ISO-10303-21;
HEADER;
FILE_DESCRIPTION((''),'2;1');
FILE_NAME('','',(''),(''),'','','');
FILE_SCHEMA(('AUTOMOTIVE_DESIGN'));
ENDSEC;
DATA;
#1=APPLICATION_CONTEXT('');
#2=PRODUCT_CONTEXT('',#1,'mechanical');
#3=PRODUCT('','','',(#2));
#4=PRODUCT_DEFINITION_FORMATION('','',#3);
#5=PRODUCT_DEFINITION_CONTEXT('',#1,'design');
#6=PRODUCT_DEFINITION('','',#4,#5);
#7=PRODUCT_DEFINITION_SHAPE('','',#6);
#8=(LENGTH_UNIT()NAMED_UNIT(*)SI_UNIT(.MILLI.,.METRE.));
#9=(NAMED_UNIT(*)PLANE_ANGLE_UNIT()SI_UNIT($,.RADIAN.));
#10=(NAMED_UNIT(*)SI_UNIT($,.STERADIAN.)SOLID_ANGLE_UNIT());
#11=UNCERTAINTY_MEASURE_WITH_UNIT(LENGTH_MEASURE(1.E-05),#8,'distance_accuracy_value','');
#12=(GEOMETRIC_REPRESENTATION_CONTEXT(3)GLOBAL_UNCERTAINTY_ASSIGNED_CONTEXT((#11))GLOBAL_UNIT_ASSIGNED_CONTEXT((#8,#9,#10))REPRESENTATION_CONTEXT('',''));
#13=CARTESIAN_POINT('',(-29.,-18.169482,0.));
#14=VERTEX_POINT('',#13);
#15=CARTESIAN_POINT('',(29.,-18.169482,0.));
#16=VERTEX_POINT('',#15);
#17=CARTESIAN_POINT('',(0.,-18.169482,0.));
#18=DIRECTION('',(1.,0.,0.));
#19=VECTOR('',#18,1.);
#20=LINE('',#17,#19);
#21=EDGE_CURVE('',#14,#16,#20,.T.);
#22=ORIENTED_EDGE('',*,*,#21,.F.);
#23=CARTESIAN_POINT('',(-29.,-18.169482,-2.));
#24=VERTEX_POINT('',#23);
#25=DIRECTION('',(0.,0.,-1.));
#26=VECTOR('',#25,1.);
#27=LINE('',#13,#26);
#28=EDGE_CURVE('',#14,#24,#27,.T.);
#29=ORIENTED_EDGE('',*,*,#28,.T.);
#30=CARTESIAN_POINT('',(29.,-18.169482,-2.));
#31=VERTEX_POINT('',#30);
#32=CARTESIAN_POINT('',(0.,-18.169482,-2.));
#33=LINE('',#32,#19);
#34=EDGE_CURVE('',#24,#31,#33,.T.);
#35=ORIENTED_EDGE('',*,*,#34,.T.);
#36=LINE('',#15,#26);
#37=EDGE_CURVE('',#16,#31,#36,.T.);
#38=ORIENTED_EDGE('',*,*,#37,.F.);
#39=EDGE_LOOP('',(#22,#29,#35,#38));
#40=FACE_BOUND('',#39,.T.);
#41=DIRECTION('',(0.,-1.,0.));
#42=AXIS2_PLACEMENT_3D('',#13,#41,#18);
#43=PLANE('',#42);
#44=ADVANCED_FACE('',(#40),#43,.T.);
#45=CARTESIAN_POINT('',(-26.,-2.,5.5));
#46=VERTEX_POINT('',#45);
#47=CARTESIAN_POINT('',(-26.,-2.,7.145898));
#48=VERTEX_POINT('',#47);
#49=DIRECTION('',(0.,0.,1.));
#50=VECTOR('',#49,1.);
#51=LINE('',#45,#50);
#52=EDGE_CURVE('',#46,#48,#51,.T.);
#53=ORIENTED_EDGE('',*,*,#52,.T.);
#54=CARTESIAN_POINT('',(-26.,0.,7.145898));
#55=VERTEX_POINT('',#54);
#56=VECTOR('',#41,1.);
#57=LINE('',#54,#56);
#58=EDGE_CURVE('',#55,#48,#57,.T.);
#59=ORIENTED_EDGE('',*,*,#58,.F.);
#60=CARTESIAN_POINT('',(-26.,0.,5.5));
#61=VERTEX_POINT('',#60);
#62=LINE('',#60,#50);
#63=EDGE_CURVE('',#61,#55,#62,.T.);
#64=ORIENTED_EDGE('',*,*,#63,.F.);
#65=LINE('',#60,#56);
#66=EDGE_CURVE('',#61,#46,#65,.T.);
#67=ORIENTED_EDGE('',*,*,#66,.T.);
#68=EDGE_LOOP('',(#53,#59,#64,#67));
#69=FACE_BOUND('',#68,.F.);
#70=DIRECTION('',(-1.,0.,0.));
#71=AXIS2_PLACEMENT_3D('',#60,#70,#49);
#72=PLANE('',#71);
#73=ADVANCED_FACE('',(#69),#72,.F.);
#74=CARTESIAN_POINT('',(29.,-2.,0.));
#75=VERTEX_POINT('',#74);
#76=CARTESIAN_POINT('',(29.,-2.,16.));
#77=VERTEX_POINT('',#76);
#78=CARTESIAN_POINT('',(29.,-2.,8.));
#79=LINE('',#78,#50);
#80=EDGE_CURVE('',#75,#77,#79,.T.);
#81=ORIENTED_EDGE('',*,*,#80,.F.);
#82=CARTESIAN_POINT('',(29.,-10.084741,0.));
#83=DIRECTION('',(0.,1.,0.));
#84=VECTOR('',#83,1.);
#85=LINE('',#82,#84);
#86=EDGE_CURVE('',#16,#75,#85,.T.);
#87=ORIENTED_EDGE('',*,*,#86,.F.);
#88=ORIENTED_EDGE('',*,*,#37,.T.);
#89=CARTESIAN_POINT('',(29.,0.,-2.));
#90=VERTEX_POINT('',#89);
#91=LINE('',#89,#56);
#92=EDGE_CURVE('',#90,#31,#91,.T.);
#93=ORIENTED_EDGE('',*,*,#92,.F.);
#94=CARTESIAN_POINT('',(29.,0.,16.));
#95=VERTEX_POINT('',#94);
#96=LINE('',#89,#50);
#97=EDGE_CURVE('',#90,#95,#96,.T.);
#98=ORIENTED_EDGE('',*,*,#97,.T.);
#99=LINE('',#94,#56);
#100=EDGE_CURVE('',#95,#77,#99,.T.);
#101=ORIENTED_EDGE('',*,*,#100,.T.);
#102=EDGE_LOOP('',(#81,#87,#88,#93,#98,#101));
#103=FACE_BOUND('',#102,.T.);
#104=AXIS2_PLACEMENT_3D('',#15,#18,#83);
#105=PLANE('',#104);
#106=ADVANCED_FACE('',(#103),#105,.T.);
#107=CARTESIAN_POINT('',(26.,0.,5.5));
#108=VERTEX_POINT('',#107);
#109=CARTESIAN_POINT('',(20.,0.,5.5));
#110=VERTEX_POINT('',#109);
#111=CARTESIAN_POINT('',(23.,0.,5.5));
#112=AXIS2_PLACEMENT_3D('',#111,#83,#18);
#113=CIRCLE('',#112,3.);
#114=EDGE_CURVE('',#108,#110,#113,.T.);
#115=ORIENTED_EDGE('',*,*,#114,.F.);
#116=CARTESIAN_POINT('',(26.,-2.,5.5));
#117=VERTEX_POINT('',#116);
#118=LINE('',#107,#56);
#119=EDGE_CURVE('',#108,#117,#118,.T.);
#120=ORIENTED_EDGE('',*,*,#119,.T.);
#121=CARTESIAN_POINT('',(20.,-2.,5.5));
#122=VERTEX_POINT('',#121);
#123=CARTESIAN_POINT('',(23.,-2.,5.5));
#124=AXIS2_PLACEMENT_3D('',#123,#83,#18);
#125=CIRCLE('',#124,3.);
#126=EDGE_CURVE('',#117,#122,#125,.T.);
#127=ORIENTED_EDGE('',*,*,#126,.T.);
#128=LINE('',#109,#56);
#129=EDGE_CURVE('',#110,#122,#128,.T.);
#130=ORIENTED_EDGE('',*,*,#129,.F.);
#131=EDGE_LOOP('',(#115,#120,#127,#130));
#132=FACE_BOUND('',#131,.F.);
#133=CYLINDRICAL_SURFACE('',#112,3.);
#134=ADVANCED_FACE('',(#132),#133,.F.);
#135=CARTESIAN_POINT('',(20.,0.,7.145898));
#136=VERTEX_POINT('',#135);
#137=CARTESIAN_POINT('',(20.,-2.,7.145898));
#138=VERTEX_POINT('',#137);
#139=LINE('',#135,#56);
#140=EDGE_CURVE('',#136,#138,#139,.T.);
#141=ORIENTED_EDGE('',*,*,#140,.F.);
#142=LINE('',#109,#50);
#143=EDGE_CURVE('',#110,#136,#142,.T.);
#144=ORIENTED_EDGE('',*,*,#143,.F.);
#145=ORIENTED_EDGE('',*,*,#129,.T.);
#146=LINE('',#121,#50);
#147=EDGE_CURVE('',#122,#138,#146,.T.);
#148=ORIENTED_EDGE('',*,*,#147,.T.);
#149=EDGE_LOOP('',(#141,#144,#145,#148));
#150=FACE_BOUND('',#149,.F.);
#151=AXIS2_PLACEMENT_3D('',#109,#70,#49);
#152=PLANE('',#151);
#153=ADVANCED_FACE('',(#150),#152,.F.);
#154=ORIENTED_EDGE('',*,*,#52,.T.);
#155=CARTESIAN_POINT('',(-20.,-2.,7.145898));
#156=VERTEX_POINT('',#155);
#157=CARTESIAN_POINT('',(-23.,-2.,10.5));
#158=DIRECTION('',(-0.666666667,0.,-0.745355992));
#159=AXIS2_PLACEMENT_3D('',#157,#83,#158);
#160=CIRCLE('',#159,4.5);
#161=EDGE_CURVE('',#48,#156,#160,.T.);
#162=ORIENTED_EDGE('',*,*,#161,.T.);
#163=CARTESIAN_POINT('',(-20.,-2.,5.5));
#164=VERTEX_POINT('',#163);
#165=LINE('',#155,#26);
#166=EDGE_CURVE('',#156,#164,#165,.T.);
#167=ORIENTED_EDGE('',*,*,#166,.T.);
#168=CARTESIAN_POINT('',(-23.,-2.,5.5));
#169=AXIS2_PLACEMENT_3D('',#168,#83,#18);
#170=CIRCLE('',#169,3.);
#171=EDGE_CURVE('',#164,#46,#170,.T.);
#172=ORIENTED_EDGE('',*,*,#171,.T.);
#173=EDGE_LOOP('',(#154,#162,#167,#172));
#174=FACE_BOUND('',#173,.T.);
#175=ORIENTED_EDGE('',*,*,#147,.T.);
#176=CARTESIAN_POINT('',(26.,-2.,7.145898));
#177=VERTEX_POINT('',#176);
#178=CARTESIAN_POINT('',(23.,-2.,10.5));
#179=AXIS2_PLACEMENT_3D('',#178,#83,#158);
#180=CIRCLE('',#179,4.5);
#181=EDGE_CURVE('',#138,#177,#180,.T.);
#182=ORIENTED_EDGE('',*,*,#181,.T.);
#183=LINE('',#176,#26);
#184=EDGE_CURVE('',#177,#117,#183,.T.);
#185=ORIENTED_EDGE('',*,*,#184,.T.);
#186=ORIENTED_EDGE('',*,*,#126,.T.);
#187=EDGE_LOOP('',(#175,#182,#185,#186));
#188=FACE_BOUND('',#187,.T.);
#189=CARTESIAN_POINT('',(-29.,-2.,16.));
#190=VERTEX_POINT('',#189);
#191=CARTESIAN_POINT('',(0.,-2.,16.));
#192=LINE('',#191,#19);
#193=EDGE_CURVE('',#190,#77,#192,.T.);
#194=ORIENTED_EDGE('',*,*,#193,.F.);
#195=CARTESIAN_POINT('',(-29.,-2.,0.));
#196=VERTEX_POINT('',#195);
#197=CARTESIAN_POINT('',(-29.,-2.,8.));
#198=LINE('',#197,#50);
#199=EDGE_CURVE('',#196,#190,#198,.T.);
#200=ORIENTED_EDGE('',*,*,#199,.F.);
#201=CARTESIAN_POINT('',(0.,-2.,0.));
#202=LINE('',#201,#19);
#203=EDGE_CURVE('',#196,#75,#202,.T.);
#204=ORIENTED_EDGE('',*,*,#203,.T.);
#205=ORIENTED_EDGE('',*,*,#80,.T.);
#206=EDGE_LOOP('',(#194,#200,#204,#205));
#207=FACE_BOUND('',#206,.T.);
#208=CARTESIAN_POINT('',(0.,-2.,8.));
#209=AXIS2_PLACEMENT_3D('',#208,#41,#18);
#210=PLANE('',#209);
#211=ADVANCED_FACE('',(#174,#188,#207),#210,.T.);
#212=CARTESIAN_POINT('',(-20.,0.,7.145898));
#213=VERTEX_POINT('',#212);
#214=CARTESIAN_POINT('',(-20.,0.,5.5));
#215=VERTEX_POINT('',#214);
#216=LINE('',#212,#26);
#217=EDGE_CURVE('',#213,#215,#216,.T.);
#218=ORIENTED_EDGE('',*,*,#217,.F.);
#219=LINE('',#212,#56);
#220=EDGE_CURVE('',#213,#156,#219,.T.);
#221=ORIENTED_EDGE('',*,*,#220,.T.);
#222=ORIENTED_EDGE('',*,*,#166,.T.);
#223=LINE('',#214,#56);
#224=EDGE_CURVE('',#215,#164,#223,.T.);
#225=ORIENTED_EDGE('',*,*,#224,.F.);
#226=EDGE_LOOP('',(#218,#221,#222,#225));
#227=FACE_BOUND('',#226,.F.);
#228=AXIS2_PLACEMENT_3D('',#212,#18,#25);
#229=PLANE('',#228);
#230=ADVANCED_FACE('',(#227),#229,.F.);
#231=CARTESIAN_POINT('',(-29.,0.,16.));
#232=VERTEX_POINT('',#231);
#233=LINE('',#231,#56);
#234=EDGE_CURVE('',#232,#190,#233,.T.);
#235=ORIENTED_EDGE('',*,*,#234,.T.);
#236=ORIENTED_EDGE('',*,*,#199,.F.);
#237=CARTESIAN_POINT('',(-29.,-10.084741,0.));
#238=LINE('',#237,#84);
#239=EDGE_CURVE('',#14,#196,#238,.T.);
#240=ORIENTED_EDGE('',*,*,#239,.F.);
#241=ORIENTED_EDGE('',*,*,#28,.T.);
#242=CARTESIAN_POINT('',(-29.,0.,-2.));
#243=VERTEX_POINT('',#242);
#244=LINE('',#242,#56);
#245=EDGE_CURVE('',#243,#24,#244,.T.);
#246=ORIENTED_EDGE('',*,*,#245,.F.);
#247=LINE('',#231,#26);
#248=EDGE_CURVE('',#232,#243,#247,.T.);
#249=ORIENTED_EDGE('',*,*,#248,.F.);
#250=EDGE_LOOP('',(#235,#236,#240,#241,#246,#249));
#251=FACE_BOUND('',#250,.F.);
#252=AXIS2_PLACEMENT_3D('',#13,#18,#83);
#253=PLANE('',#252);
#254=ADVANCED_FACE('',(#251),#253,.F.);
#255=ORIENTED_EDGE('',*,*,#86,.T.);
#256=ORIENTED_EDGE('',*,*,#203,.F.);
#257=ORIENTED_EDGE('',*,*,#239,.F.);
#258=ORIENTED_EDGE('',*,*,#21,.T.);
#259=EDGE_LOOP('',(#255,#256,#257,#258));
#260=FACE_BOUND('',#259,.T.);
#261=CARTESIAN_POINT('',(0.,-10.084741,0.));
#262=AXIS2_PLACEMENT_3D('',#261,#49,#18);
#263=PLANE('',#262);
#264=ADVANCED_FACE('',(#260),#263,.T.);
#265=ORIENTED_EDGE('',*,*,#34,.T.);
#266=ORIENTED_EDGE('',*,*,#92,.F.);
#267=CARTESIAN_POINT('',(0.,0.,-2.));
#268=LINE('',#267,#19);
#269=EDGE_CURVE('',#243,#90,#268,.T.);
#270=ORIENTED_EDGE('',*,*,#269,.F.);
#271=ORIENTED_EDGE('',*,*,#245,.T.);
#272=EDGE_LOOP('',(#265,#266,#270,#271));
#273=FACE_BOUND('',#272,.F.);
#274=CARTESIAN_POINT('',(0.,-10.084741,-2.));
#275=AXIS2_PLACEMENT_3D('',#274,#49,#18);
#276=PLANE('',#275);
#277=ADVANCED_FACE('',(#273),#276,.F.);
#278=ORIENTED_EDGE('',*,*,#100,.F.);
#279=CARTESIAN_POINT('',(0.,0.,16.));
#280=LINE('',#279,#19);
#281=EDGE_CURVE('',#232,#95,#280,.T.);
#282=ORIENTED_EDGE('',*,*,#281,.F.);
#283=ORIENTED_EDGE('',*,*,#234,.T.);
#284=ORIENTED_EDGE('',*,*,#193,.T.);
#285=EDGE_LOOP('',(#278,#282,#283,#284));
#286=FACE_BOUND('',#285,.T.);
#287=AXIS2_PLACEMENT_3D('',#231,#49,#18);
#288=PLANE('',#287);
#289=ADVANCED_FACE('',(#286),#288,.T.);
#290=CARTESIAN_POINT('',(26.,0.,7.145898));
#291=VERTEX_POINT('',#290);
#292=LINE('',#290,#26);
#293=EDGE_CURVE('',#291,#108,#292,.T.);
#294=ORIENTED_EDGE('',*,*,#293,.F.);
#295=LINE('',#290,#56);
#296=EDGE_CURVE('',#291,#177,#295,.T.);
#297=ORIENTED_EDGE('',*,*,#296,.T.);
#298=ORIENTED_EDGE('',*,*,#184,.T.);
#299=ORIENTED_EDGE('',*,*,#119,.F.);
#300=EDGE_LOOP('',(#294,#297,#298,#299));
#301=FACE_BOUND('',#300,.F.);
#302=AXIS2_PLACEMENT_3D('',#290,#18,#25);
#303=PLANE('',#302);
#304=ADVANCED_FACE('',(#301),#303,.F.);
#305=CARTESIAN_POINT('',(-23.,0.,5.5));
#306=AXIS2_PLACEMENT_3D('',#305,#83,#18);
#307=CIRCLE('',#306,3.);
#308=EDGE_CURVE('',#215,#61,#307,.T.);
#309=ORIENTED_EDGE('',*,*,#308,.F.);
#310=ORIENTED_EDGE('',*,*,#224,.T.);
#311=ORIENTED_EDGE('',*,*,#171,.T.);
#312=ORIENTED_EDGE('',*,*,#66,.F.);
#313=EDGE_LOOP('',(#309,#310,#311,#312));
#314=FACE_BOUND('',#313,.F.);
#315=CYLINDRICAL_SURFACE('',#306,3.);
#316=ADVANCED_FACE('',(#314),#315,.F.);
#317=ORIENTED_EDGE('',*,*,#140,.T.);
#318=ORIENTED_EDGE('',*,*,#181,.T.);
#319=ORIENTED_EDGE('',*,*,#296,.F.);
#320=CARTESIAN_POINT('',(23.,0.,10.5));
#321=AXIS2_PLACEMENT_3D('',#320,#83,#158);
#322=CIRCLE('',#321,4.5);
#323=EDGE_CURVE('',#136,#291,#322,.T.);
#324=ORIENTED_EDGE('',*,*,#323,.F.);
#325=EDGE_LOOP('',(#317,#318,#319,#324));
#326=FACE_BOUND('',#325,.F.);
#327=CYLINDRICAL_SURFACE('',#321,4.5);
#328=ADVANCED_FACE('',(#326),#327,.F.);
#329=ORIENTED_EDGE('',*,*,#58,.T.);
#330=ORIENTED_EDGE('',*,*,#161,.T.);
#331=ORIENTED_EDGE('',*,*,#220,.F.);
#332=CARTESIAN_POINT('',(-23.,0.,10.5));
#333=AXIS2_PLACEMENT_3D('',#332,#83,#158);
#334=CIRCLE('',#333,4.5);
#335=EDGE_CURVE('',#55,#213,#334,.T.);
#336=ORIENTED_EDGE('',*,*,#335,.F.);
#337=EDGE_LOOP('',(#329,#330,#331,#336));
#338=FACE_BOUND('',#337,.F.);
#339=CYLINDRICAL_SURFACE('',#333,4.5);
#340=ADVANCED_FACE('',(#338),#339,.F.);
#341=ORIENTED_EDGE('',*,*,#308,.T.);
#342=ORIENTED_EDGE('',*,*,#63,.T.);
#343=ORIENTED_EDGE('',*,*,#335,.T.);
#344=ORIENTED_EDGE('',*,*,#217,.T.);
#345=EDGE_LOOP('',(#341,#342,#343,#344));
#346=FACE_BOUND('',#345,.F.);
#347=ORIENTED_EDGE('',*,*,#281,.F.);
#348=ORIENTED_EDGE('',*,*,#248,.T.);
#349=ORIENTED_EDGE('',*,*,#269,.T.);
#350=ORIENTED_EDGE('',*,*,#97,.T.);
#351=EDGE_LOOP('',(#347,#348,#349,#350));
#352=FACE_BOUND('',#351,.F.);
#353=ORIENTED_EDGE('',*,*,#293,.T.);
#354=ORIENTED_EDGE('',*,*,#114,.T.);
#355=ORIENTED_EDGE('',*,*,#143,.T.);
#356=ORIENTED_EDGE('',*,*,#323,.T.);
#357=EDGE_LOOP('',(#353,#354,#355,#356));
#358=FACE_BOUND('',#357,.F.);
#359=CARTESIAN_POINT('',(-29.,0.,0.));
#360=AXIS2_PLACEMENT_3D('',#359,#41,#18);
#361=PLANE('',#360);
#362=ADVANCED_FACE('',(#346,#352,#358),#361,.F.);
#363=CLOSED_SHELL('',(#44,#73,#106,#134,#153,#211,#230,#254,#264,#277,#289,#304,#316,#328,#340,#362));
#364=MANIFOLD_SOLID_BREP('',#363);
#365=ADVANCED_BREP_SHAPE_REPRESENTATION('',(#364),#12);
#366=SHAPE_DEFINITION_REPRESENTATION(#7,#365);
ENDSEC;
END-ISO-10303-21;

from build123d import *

# Parameters (mm, degrees)
F0_W      = 58
F0_H      = 16
F1_DEPTH  = 2
F2_W      = 58
F2_H      = 16.1694816779
F1_FACE_W = 58
F1_FACE_H = 2
F3_DEPTH  = 2


with BuildPart() as f1:
    # F0 (on Front) → F1 (new body)
    with BuildSketch(Plane.XZ):
        with Locations((0, 8)):
            Rectangle(F0_W, F0_H)
        with BuildLine():
            ThreePointArc((-20, 5.5), (-23, 2.5), (-26, 5.5))
            Line((-26, 5.5), (-26, 7.1458980338))
            ThreePointArc((-26, 7.1458980338), (-23, 15), (-20, 7.1458980338))
            Line((-20, 7.1458980338), (-20, 5.5))
        make_face(mode=Mode.SUBTRACT)
        with BuildLine():
            ThreePointArc((26, 5.5), (23, 2.5), (20, 5.5))
            Line((20, 5.5), (20, 7.1458980338))
            ThreePointArc((20, 7.1458980338), (23, 15), (26, 7.1458980338))
            Line((26, 7.1458980338), (26, 5.5))
        make_face(mode=Mode.SUBTRACT)
    extrude(amount=F1_DEPTH)

    # F2 (on Top) + F1_face (on face) → F3 (join)
    with BuildSketch(Plane.XY):
        with Locations((0, -10.084740839)):
            Rectangle(F2_W, F2_H)
    with BuildSketch(Plane(origin=(0, -1, 0), x_dir=(1, 0, 0), z_dir=(0, 0, -1))):
        Rectangle(F1_FACE_W, F1_FACE_H)
    extrude(amount=-F3_DEPTH, dir=(0, 0, 1))


solid = f1.part
